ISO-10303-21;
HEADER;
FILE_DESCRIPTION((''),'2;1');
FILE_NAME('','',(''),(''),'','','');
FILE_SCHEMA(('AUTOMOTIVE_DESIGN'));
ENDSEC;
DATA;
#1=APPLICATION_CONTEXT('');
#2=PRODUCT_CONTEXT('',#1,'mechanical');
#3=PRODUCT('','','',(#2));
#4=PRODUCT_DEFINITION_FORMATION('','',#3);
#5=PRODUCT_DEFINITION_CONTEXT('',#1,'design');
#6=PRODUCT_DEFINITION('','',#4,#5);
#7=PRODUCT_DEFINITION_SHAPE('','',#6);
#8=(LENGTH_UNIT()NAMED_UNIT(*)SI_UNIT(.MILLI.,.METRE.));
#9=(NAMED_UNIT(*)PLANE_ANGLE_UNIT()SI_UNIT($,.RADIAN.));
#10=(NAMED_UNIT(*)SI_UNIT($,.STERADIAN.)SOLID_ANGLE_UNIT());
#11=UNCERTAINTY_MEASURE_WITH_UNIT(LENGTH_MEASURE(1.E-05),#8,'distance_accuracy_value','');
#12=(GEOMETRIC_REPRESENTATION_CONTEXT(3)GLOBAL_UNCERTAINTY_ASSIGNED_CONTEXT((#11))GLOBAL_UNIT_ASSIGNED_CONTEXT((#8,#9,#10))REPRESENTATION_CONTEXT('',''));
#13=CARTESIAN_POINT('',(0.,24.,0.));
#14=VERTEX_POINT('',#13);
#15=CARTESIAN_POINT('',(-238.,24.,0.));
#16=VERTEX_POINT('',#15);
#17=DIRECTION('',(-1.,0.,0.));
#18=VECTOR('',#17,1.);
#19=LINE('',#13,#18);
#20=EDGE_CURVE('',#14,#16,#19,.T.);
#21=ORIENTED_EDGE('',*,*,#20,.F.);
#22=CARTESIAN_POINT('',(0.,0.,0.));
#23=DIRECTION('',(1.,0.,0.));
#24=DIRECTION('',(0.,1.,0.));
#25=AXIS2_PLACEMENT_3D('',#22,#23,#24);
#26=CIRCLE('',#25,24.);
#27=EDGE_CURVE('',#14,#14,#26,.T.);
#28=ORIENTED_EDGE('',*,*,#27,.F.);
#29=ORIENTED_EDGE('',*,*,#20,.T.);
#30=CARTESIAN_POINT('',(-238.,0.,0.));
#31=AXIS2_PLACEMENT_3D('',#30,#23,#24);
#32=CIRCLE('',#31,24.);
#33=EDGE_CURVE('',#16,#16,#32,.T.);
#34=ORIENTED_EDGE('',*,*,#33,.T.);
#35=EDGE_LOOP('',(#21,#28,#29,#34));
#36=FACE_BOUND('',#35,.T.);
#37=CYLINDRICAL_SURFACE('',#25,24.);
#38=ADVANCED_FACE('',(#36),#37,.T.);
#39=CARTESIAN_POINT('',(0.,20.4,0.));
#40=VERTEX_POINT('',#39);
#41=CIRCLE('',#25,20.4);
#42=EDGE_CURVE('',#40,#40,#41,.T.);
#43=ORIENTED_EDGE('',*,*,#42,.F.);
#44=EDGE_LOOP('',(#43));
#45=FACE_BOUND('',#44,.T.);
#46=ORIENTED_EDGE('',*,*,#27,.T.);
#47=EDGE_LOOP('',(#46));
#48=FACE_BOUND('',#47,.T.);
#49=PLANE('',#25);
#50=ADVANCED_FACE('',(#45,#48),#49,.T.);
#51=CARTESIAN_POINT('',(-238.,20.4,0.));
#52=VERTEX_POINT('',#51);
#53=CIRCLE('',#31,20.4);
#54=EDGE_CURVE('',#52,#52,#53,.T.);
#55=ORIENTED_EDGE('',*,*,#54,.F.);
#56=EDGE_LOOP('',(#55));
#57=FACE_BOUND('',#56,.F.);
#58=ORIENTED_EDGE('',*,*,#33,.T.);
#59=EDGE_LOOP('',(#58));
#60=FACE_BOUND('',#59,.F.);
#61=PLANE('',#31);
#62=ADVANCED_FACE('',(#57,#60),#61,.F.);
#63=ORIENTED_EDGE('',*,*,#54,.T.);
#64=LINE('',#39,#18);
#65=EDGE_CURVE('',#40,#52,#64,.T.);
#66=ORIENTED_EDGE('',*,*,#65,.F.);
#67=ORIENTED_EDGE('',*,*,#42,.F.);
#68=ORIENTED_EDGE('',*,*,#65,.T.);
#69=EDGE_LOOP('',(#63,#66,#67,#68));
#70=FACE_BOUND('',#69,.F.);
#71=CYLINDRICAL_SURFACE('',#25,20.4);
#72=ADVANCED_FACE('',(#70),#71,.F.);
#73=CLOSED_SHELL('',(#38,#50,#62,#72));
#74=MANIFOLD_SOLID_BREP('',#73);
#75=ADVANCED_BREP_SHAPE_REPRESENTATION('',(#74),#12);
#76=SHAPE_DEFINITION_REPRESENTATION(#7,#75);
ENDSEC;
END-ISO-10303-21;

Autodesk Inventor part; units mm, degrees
ref_plane "YZ Plane" through (0, 0, 0) normal (1, 0, 0) x (0, 1, 0)
ref_plane "XZ Plane" through (0, 0, 0) normal (0, 1, 0) x (-1, 0, 0)
ref_plane "XY Plane" through (0, 0, 0) normal (0, 0, 1) x (1, 0, 0)
sketch "Sketch1" plane through (0, 0, 0) normal (1, 0, 0) x (0, 1, 0)
  circle A0 centre (0, 0) radius 24
  circle A1 centre (0, 0) radius 20.4
  dimension "d0" = 48
  dimension "d1" = 40.8
extrude "Extrusion1" add sketch "Sketch1" against normal blind 238
equation "\"d0\" = OD"
equation "\"d1\" = OD - 2 * t"
equation "\"d2\" = L"
equation "\"OD\" = 48"
equation "\"t\" = 3.6"
equation "\"L\" = PL"
equation "\"ID\" = 40.8"
equation "\"PL\" = 238"
equation "\"Size_Designation\" = 1.2345"
properties material "PVC, Unplasticized"
